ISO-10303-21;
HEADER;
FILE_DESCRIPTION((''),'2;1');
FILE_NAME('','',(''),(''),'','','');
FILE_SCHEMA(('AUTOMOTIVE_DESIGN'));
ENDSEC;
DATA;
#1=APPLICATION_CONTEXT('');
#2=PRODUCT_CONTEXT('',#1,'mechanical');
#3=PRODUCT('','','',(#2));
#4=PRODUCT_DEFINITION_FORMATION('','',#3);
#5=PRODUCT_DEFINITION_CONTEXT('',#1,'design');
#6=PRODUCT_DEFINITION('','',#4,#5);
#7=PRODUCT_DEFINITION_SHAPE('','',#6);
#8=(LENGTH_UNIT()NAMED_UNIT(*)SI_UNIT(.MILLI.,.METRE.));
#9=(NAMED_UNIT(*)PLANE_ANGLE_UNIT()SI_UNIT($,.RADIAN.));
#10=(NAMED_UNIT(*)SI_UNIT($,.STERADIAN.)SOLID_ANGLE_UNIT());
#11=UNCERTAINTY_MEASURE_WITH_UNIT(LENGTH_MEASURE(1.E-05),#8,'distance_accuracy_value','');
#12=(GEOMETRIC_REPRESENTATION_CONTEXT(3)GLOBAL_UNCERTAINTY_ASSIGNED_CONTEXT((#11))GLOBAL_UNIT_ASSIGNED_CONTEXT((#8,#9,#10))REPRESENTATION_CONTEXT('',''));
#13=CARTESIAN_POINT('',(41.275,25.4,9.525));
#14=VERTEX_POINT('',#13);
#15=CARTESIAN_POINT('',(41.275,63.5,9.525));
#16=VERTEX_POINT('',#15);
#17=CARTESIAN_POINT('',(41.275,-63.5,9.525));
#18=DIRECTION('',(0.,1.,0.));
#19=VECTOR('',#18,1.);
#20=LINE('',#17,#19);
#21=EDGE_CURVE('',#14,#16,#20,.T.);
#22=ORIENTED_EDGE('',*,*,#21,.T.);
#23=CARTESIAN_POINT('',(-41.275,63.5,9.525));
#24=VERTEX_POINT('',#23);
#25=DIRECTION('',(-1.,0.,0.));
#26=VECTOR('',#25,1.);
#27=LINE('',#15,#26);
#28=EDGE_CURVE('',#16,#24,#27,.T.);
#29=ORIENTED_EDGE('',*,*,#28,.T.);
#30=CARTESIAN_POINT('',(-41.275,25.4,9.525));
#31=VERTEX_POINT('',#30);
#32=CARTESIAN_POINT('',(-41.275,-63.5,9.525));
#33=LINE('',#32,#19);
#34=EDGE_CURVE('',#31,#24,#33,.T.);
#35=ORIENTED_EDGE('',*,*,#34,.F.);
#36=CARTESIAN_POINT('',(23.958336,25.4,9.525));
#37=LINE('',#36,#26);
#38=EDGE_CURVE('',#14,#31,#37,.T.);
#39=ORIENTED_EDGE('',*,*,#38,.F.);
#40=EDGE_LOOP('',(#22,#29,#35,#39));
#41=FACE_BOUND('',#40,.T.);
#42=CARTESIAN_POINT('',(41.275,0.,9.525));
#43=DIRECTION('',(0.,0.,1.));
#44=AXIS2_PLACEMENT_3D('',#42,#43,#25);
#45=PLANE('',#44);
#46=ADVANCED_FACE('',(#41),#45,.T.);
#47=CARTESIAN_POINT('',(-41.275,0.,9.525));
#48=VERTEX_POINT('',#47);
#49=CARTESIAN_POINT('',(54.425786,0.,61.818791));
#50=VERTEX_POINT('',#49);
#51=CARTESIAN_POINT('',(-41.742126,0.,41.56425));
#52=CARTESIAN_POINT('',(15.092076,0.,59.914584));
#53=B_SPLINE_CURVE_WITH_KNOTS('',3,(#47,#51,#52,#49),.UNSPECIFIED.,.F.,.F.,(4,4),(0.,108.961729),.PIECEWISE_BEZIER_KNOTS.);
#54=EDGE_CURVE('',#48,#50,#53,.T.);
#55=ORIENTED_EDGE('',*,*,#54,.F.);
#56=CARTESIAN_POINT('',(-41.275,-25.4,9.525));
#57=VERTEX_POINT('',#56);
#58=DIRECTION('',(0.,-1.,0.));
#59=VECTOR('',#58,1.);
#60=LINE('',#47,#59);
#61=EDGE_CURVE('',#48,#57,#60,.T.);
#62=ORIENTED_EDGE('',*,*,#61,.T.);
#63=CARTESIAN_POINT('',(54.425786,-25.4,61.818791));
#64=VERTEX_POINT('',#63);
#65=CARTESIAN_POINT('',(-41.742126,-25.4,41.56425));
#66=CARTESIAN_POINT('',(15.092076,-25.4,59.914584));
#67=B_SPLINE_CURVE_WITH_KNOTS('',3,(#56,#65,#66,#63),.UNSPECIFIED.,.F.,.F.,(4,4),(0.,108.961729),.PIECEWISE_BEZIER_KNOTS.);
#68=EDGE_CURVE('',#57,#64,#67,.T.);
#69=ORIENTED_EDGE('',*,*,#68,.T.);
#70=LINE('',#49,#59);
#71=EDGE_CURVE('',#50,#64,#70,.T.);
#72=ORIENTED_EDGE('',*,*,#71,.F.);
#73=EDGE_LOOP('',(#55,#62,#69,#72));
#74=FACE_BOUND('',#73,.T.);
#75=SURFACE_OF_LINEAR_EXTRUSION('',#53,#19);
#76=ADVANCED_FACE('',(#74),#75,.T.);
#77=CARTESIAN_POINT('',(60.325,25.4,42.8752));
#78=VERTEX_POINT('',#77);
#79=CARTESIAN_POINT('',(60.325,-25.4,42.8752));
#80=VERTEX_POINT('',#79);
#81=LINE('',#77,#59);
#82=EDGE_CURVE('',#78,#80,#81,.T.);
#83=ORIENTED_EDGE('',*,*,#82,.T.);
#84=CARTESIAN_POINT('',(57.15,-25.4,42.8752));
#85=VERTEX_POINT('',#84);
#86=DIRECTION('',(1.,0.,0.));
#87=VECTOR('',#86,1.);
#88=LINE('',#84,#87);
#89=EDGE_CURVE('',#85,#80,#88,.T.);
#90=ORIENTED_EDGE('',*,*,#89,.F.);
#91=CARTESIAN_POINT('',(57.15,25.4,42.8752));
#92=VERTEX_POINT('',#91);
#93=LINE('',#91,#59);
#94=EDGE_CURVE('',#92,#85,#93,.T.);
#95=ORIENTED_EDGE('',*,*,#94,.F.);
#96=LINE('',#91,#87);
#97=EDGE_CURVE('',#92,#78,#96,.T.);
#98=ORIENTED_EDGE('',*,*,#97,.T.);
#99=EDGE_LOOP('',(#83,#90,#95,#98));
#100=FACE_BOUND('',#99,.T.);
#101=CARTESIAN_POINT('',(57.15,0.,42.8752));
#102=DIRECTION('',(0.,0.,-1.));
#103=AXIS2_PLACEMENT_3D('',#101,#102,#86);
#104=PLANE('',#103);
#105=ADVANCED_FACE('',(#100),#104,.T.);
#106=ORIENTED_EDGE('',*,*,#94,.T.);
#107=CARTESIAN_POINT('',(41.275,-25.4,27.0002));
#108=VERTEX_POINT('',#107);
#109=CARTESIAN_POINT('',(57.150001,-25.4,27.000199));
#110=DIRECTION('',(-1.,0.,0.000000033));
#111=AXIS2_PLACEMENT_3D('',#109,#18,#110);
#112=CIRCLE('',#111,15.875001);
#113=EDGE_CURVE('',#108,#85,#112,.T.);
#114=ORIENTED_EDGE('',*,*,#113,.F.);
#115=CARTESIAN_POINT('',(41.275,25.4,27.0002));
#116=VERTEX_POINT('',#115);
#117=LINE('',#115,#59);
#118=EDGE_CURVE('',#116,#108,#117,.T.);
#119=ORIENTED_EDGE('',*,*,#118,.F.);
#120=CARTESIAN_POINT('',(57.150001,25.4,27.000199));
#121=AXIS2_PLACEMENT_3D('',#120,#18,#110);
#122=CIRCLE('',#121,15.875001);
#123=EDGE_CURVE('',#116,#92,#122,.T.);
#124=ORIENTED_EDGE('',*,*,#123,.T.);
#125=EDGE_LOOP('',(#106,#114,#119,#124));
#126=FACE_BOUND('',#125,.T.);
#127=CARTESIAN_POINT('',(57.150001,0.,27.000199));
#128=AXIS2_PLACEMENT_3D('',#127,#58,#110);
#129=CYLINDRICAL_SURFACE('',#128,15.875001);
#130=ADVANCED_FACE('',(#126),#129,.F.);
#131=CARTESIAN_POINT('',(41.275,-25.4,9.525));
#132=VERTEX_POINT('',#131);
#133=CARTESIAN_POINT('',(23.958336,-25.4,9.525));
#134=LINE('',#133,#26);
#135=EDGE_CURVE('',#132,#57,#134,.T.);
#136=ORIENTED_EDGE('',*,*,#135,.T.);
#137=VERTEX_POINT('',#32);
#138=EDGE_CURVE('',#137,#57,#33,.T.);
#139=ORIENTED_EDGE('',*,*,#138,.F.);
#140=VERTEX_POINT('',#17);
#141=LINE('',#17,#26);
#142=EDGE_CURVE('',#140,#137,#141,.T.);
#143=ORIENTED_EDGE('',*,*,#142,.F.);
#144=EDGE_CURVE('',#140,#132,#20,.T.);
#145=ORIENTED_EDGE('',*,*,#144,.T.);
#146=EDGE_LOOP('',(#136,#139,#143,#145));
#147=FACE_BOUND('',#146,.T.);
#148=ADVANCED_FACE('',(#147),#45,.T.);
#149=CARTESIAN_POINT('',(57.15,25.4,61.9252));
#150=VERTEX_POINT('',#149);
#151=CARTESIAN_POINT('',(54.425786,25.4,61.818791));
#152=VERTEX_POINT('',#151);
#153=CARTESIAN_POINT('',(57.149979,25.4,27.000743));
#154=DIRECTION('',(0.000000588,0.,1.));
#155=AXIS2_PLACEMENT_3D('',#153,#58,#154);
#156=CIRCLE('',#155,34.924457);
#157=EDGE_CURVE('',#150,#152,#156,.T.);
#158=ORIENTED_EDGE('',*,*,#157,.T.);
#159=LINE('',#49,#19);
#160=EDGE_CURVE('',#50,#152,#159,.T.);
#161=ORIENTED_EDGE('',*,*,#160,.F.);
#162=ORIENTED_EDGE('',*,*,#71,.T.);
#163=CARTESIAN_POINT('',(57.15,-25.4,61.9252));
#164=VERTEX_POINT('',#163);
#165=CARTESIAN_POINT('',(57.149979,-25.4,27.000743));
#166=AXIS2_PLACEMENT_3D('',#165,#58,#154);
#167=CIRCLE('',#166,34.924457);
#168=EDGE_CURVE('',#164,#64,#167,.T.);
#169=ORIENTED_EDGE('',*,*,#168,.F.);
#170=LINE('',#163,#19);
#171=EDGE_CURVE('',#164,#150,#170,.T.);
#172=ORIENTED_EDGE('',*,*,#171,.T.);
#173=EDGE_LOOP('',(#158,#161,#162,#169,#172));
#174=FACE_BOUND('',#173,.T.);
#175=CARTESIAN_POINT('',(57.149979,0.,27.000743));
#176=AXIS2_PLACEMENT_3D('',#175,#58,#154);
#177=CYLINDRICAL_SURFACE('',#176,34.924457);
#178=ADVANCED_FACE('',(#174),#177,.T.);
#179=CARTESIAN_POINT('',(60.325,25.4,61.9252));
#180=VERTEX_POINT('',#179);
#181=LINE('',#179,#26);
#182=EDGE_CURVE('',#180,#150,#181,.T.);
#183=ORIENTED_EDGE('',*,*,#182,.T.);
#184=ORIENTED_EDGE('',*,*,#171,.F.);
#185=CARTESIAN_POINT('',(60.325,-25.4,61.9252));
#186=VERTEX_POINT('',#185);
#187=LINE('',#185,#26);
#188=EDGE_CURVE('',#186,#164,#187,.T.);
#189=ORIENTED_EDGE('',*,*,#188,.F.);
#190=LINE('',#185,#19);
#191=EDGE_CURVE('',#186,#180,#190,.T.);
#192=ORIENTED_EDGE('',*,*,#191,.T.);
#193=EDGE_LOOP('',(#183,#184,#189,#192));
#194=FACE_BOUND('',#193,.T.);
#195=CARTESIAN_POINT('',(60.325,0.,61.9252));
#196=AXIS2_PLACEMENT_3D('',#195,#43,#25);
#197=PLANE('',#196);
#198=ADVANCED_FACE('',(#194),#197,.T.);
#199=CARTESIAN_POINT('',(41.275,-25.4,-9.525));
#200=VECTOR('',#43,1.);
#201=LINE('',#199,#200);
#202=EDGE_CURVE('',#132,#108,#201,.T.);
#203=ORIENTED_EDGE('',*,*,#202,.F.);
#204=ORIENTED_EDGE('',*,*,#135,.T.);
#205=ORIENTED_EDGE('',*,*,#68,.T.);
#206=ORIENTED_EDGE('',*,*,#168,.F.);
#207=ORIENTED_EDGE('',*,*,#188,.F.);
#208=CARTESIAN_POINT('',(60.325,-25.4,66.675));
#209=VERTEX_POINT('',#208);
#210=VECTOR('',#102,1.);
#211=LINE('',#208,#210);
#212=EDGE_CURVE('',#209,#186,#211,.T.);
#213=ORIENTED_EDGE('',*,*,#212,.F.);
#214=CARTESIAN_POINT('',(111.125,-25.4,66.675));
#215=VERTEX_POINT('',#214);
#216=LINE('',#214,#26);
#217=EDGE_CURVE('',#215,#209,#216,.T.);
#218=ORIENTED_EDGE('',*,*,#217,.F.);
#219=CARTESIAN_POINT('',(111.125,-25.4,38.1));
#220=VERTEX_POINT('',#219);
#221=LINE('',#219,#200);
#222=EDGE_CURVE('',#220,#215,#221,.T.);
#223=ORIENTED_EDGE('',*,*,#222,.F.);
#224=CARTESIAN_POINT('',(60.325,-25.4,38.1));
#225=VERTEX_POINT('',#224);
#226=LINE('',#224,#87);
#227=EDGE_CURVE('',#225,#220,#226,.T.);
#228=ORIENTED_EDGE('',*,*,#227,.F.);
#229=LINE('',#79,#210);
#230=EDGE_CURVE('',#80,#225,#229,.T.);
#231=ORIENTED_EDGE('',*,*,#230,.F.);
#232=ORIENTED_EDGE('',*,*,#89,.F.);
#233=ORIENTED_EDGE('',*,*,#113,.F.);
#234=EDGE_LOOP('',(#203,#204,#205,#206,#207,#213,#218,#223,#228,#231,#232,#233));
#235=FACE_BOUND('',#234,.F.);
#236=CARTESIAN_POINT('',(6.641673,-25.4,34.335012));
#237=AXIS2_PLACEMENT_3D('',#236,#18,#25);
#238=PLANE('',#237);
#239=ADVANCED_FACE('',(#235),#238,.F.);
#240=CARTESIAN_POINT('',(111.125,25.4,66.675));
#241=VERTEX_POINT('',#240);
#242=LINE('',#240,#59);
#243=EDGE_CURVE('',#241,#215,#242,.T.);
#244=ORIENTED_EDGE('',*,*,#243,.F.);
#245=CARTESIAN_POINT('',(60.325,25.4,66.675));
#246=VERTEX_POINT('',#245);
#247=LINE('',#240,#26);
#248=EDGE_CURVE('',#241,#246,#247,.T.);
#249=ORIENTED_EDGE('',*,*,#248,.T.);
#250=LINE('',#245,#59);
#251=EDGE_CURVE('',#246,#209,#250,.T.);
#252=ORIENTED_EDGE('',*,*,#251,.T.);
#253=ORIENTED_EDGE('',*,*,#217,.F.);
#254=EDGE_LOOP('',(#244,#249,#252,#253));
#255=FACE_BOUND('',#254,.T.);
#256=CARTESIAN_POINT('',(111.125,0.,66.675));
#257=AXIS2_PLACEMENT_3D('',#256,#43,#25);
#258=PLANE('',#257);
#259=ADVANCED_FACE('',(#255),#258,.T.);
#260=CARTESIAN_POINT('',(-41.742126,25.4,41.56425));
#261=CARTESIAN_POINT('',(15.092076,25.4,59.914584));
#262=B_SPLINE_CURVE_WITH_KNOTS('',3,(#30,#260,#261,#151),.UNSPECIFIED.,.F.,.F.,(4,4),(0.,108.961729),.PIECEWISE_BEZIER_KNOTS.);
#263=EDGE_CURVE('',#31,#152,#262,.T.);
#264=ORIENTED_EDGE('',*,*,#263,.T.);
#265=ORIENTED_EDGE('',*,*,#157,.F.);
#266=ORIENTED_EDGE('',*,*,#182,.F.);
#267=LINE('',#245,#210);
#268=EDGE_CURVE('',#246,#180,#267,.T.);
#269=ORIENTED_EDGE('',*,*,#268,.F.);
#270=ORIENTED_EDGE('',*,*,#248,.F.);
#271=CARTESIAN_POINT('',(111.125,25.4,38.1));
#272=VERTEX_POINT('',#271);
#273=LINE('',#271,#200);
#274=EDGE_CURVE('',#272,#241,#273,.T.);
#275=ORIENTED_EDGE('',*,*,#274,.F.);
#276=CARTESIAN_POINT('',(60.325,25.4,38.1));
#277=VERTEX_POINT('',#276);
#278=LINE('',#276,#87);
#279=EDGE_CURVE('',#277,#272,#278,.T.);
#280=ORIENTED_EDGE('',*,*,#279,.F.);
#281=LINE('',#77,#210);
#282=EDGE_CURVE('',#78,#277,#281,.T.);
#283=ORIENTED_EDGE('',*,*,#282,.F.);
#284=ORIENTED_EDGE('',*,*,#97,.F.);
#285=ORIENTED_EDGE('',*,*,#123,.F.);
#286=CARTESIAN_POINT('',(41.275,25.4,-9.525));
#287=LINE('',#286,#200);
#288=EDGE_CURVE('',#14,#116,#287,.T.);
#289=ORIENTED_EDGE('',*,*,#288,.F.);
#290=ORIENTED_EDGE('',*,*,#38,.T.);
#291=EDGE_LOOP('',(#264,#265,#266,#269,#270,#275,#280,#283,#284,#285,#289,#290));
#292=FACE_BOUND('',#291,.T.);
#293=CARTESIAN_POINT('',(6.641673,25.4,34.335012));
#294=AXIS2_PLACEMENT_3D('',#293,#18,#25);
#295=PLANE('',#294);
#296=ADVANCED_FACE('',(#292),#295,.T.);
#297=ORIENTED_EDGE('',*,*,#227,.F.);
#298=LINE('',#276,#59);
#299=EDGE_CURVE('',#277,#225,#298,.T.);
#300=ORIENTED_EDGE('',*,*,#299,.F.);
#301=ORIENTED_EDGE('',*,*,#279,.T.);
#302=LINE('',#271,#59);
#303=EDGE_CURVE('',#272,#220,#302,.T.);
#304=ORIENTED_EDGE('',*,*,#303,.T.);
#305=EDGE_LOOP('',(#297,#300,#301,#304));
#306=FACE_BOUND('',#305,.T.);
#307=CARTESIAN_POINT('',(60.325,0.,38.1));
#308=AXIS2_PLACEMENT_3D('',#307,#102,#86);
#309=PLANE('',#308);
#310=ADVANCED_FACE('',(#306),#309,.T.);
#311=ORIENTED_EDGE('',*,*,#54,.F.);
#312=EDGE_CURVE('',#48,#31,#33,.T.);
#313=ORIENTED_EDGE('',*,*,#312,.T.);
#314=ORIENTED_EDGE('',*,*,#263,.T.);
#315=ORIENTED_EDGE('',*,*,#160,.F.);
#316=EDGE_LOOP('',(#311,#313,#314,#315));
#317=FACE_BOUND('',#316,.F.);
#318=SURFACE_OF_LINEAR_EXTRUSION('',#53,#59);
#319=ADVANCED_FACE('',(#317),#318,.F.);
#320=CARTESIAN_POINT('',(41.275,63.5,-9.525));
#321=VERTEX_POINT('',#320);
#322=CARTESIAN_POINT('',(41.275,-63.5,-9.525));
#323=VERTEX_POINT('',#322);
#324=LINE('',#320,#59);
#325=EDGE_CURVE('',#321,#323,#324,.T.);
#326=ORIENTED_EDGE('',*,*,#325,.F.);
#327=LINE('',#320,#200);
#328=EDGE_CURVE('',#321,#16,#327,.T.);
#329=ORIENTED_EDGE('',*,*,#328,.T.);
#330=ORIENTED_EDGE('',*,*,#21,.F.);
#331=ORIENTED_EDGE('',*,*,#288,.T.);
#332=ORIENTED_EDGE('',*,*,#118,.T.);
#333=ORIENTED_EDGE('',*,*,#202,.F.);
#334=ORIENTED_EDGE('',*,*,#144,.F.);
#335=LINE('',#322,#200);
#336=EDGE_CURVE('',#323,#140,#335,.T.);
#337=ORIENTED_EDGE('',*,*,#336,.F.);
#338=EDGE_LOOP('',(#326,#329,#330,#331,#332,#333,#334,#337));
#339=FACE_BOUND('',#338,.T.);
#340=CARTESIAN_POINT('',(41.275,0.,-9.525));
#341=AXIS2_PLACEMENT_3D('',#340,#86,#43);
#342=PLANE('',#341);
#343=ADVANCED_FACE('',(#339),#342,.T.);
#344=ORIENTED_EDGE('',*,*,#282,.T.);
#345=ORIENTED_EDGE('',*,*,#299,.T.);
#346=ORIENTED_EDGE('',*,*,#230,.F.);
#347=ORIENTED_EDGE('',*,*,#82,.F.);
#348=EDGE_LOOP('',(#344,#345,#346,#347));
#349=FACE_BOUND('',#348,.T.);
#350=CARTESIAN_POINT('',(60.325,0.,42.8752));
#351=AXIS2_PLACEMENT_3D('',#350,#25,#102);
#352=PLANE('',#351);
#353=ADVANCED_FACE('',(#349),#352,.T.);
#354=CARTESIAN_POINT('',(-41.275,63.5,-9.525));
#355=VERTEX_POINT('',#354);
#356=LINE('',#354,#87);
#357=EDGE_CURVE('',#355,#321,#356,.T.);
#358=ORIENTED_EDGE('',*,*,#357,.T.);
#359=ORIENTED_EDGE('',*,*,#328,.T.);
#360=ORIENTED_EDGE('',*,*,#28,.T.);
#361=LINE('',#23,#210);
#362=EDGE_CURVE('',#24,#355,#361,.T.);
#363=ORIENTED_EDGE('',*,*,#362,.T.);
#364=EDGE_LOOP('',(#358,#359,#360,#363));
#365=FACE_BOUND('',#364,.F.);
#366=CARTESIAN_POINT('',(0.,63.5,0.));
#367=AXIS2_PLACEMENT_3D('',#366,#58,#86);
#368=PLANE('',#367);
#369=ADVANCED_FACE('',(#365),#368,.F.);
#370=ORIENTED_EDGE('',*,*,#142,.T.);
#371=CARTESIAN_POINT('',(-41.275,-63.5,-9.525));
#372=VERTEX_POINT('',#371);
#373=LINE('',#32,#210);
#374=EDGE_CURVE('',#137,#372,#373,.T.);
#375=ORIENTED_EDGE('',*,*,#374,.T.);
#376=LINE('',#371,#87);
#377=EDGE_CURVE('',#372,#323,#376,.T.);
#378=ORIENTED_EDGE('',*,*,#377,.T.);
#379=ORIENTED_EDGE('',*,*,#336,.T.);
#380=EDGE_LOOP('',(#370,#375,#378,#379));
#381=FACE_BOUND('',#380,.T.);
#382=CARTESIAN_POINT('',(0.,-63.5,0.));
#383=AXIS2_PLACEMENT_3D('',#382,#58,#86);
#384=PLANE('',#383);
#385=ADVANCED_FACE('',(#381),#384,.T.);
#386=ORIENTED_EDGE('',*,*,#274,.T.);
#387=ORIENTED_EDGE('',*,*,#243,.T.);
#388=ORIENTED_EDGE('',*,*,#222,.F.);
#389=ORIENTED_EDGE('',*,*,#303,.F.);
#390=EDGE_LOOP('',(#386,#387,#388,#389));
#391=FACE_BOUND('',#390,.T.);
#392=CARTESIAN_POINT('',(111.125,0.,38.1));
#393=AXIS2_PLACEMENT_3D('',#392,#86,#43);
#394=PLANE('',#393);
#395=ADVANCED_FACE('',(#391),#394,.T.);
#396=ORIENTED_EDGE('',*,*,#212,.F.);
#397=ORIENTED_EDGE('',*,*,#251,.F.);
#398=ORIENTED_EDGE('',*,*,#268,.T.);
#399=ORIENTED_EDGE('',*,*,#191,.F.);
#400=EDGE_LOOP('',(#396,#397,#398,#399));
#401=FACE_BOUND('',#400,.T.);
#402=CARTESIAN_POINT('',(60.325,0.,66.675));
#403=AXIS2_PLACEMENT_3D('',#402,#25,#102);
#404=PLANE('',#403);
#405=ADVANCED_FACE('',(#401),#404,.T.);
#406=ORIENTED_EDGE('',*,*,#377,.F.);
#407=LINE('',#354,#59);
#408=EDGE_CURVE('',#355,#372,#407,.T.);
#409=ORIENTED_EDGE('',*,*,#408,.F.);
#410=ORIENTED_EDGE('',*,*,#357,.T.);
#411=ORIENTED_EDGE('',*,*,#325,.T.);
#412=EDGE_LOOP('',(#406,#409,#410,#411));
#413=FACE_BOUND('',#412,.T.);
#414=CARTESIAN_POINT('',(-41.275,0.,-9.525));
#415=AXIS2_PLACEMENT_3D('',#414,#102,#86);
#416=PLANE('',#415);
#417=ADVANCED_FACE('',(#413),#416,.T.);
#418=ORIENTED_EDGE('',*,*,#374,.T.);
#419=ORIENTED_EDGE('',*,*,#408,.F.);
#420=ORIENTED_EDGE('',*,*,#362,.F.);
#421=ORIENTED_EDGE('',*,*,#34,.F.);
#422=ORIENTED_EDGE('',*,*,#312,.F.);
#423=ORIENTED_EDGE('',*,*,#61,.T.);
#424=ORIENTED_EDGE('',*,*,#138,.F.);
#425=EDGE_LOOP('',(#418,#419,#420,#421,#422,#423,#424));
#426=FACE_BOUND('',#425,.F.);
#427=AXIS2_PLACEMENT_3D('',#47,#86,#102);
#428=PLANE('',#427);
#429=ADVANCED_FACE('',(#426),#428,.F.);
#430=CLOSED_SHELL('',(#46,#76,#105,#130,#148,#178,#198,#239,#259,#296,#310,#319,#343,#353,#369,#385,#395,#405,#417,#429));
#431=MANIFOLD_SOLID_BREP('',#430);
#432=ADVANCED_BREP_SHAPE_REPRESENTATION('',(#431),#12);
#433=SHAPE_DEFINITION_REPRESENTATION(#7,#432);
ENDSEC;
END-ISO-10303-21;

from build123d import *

# Parameters (mm, degrees)
F1_DEPTH      = 63.5
F1_DEPTH_BACK = 63.5
F2_DEPTH      = 25.4
F2_DEPTH_BACK = 25.4


with BuildPart() as f1:
    # F0 (on Front) → F1 (new body, two sides)
    with BuildSketch(Plane.XZ) as f1_sk:
        Polygon((22.225, 9.525), (-41.275, 9.525), (-41.275, -9.525), (41.275, -9.525), (41.275, 9.525), align=None)
    extrude(amount=F1_DEPTH)
    extrude(f1_sk.sketch, amount=-F1_DEPTH_BACK)

    # F0 (on Front) → F2 (join, two sides)
    with BuildSketch(Plane.XZ) as f2_sk:
        with BuildLine():
            add(Edge.make_bspline(
                [(-41.275, 9.525), (-41.742126, 41.56425), (15.092076, 59.914584), (54.425786, 61.818791)],
                knots=[0, 0, 0, 0, 108.961729, 108.961729, 108.961729, 108.961729], degree=3))
            Line((-41.275, 9.525), (22.225, 9.525))
            Line((22.225, 9.525), (22.225, 27.0002))
            ThreePointArc((22.225, 27.0002), (31.509224, 50.713197), (54.425786, 61.818791))
        make_face()
        Polygon((22.225, 9.525), (-41.275, 9.525), (-41.275, -9.525), (41.275, -9.525), (41.275, 9.525), align=None)
        with BuildLine():
            Line((22.225, 27.0002), (22.225, 9.525))
            Line((22.225, 9.525), (41.275, 9.525))
            Line((41.275, 9.525), (41.275, 27.0002))
            ThreePointArc((41.275, 27.0002), (45.92468, 38.22552), (57.15, 42.8752))
            Line((57.15, 42.8752), (60.325, 42.8752))
            Line((60.325, 42.8752), (60.325, 61.9252))
            Line((60.325, 61.9252), (57.15, 61.9252))
            add(Edge.make_bspline(
                [(54.425786, 61.818791), (55.343705, 61.863229), (56.252093, 61.89871), (57.15, 61.9252)],
                knots=[108.961729, 108.961729, 108.961729, 108.961729, 111.504536, 111.504536, 111.504536, 111.504536], degree=3))
            ThreePointArc((54.425786, 61.818791), (31.509224, 50.713197), (22.225, 27.0002))
        make_face()
        with BuildLine():
            ThreePointArc((57.15, 61.9252), (55.786854, 61.898588), (54.425786, 61.818791))
            add(Edge.make_bspline(
                [(54.425786, 61.818791), (55.343705, 61.863229), (56.252093, 61.89871), (57.15, 61.9252)],
                knots=[108.961729, 108.961729, 108.961729, 108.961729, 111.504536, 111.504536, 111.504536, 111.504536], degree=3))
        make_face()
        Polygon((60.325, 66.675), (60.325, 61.9252), (60.325, 42.8752), (60.325, 38.1), (85.725, 38.1), (85.615962, 66.675), align=None)
        Polygon((111.125, 66.675), (85.615962, 66.675), (85.725, 38.1), (111.125, 38.1), align=None)
    extrude(amount=F2_DEPTH)
    extrude(f2_sk.sketch, amount=-F2_DEPTH_BACK)


solid = f1.part
